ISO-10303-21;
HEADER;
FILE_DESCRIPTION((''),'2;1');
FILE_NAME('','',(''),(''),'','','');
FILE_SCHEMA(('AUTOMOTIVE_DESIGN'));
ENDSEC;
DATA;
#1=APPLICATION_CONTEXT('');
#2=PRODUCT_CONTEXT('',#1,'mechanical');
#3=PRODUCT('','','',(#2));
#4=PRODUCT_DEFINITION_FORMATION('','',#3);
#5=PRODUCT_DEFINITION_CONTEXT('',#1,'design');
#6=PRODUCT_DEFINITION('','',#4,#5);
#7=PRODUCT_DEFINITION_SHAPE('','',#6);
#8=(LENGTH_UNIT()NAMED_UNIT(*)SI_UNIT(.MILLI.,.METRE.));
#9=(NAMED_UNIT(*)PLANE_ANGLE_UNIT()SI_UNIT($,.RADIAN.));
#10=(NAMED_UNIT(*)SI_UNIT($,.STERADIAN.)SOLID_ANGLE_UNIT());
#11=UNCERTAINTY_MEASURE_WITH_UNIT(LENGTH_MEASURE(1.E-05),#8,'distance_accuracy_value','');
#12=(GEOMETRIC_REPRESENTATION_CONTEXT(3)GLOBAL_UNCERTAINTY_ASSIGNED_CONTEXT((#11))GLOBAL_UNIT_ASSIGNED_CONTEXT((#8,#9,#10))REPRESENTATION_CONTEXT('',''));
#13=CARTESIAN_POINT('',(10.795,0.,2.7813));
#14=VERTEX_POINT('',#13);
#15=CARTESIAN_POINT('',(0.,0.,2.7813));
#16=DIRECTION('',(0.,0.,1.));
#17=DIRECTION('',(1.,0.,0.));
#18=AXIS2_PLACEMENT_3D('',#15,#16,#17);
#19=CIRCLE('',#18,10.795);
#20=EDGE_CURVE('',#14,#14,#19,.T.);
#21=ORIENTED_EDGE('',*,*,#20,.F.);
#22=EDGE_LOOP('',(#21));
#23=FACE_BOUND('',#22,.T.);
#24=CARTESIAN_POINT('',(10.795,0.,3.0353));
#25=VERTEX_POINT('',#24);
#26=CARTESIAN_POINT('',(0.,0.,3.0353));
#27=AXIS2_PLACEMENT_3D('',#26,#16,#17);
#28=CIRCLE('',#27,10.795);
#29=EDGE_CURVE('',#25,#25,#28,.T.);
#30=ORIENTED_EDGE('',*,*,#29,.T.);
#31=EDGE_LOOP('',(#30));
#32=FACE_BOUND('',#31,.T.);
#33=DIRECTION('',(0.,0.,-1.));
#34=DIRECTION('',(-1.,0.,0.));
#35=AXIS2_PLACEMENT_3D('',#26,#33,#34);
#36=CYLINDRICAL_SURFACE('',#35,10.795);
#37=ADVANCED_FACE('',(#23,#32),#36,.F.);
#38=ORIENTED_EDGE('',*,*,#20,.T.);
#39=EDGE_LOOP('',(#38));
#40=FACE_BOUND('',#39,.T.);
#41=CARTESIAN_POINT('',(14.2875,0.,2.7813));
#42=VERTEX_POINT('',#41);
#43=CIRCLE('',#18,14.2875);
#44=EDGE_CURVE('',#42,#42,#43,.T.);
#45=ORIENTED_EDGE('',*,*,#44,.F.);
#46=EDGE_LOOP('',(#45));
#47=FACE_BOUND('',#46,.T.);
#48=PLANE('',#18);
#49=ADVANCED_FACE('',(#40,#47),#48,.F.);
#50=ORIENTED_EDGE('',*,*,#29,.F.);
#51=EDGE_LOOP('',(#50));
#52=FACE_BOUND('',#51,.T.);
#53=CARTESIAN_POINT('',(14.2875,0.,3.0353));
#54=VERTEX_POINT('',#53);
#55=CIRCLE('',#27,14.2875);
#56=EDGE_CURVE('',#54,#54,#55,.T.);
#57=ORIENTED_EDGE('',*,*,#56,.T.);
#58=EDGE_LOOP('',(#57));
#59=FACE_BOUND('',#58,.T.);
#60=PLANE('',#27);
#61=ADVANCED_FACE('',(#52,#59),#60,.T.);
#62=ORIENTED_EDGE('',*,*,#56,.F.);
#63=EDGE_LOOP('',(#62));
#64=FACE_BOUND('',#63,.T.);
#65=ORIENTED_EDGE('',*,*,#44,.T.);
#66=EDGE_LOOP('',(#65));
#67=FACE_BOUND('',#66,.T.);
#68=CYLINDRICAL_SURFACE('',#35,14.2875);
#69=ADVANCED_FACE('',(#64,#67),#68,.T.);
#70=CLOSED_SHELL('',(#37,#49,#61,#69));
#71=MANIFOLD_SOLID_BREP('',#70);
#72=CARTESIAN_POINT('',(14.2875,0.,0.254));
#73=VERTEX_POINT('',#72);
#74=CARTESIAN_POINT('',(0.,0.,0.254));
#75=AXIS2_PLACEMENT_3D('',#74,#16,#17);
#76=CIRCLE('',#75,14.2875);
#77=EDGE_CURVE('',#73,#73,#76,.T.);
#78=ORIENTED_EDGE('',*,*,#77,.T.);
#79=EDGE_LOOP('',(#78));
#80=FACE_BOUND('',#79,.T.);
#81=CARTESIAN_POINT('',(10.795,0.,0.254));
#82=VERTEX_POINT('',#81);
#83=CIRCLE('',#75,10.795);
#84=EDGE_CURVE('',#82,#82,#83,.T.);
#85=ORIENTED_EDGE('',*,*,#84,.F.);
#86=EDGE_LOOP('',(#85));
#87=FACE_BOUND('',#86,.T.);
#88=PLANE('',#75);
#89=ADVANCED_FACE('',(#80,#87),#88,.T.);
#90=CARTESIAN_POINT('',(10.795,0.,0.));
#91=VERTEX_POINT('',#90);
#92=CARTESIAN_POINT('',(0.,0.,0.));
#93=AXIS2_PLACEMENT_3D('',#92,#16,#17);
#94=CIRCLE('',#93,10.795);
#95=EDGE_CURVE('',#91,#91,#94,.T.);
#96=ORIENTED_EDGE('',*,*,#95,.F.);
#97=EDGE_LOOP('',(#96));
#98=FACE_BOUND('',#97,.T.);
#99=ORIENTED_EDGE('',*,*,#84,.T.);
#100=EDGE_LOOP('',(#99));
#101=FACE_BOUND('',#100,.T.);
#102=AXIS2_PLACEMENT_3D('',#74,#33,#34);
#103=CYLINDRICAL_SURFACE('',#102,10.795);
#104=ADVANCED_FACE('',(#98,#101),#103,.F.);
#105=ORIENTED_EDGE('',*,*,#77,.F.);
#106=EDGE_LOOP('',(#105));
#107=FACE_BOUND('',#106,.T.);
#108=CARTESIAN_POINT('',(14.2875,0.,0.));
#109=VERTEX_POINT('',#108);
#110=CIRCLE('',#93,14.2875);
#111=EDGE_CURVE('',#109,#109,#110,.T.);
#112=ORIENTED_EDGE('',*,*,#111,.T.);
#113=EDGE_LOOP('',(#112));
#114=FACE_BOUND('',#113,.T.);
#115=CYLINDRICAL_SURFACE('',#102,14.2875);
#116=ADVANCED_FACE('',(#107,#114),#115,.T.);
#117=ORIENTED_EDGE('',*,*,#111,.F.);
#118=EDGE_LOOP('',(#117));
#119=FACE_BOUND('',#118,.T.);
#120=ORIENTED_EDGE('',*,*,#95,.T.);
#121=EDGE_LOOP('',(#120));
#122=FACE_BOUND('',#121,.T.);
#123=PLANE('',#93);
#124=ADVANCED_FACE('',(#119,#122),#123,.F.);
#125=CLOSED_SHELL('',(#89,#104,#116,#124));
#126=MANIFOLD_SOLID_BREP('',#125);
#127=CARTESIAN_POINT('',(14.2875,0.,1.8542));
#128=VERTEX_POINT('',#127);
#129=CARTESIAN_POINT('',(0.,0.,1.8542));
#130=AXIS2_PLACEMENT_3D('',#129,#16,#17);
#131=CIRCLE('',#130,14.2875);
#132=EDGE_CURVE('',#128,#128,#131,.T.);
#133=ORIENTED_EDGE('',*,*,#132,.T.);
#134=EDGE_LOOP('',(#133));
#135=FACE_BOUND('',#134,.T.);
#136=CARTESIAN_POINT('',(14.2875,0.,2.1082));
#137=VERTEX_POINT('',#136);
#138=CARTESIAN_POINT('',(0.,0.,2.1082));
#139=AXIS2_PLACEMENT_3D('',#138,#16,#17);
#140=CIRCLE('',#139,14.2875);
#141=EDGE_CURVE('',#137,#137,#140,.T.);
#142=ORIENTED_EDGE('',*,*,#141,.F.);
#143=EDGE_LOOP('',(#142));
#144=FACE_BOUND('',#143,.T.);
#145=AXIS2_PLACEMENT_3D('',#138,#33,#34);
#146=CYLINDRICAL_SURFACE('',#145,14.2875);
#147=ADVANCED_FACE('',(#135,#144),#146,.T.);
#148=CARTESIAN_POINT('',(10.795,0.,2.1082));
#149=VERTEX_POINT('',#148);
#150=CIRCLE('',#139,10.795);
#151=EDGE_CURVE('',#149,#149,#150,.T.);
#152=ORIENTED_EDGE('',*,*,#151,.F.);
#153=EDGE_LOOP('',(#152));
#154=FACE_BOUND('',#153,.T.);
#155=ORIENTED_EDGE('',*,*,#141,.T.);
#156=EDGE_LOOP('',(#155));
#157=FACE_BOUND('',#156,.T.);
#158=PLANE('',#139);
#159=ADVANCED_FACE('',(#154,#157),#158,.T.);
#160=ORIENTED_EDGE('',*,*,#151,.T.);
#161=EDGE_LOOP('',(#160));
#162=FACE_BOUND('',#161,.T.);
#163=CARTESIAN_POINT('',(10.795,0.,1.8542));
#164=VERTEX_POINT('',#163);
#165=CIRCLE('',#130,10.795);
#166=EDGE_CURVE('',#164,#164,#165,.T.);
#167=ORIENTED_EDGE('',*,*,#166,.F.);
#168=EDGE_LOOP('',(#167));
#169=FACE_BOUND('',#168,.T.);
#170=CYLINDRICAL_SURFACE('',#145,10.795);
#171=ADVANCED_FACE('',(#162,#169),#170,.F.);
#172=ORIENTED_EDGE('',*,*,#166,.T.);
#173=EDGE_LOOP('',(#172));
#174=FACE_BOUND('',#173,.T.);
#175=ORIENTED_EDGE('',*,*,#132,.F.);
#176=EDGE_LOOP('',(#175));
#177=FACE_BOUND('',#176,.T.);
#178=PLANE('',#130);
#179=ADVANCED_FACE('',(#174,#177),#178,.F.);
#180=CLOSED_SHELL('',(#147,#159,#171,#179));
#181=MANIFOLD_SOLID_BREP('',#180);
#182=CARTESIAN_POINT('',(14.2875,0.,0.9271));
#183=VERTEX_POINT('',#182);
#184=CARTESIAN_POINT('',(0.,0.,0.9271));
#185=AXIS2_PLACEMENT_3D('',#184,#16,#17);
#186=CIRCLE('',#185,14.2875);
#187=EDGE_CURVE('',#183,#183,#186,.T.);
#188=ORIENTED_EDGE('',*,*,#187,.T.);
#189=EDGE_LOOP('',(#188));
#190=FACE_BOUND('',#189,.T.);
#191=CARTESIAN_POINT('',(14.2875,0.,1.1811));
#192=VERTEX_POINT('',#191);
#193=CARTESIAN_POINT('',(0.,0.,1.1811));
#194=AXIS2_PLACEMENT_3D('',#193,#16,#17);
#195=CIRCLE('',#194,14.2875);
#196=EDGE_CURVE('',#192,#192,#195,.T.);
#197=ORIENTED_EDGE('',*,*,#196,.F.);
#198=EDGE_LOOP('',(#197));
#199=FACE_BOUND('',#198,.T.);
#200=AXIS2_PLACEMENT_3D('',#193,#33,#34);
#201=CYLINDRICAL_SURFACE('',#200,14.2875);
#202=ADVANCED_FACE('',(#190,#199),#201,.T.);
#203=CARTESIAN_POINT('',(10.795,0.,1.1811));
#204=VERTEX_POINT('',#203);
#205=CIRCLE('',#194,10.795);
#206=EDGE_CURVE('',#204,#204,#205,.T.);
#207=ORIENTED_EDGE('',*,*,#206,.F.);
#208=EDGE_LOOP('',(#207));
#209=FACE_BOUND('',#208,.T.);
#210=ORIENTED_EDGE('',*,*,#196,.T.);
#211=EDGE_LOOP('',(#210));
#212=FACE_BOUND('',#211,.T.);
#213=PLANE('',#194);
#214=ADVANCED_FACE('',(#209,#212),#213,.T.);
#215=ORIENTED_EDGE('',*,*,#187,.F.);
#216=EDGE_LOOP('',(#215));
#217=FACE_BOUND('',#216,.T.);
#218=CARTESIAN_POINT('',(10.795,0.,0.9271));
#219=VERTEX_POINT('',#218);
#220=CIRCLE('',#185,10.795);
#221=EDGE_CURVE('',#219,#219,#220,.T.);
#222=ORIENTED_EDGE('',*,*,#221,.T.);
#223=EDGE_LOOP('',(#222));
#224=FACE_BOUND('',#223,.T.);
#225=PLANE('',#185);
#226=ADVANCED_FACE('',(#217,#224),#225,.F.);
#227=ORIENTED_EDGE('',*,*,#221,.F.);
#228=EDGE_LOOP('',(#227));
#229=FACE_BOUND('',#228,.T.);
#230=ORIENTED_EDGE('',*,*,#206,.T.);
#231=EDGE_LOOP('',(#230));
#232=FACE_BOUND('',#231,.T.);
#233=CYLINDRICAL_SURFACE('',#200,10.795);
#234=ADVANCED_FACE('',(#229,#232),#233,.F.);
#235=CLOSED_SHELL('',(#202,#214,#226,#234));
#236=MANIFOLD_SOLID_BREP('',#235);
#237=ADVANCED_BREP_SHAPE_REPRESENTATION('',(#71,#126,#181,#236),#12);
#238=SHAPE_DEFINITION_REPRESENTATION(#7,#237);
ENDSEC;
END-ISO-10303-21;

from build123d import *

# Parameters (mm, degrees)
SKETCH1_R          = 14.2875
SKETCH1_R_2        = 10.795
RING_EXTRUDE_DEPTH = 0.254
LPATTERN1_COUNT    = 4
LPATTERN1_PITCH    = 0.9271


with BuildPart() as part:
    # Sketch1 → Ring Extrude (new body)
    with BuildSketch(Plane.XY):
        Circle(SKETCH1_R)
        Circle(SKETCH1_R_2, mode=Mode.SUBTRACT)
    extrude(amount=RING_EXTRUDE_DEPTH)


with BuildPart() as lpattern1_1:
    # LPattern1: pattern copy
    add(part.part.moved(Location(Vector(0, 0, 1) * (1 * LPATTERN1_PITCH))))


with BuildPart() as lpattern1_2:
    # LPattern1: pattern copy
    add(part.part.moved(Location(Vector(0, 0, 1) * (2 * LPATTERN1_PITCH))))


with BuildPart() as lpattern1_3:
    # LPattern1: pattern copy
    add(part.part.moved(Location(Vector(0, 0, 1) * (3 * LPATTERN1_PITCH))))


solid = Compound([part.part, lpattern1_1.part, lpattern1_2.part, lpattern1_3.part])
